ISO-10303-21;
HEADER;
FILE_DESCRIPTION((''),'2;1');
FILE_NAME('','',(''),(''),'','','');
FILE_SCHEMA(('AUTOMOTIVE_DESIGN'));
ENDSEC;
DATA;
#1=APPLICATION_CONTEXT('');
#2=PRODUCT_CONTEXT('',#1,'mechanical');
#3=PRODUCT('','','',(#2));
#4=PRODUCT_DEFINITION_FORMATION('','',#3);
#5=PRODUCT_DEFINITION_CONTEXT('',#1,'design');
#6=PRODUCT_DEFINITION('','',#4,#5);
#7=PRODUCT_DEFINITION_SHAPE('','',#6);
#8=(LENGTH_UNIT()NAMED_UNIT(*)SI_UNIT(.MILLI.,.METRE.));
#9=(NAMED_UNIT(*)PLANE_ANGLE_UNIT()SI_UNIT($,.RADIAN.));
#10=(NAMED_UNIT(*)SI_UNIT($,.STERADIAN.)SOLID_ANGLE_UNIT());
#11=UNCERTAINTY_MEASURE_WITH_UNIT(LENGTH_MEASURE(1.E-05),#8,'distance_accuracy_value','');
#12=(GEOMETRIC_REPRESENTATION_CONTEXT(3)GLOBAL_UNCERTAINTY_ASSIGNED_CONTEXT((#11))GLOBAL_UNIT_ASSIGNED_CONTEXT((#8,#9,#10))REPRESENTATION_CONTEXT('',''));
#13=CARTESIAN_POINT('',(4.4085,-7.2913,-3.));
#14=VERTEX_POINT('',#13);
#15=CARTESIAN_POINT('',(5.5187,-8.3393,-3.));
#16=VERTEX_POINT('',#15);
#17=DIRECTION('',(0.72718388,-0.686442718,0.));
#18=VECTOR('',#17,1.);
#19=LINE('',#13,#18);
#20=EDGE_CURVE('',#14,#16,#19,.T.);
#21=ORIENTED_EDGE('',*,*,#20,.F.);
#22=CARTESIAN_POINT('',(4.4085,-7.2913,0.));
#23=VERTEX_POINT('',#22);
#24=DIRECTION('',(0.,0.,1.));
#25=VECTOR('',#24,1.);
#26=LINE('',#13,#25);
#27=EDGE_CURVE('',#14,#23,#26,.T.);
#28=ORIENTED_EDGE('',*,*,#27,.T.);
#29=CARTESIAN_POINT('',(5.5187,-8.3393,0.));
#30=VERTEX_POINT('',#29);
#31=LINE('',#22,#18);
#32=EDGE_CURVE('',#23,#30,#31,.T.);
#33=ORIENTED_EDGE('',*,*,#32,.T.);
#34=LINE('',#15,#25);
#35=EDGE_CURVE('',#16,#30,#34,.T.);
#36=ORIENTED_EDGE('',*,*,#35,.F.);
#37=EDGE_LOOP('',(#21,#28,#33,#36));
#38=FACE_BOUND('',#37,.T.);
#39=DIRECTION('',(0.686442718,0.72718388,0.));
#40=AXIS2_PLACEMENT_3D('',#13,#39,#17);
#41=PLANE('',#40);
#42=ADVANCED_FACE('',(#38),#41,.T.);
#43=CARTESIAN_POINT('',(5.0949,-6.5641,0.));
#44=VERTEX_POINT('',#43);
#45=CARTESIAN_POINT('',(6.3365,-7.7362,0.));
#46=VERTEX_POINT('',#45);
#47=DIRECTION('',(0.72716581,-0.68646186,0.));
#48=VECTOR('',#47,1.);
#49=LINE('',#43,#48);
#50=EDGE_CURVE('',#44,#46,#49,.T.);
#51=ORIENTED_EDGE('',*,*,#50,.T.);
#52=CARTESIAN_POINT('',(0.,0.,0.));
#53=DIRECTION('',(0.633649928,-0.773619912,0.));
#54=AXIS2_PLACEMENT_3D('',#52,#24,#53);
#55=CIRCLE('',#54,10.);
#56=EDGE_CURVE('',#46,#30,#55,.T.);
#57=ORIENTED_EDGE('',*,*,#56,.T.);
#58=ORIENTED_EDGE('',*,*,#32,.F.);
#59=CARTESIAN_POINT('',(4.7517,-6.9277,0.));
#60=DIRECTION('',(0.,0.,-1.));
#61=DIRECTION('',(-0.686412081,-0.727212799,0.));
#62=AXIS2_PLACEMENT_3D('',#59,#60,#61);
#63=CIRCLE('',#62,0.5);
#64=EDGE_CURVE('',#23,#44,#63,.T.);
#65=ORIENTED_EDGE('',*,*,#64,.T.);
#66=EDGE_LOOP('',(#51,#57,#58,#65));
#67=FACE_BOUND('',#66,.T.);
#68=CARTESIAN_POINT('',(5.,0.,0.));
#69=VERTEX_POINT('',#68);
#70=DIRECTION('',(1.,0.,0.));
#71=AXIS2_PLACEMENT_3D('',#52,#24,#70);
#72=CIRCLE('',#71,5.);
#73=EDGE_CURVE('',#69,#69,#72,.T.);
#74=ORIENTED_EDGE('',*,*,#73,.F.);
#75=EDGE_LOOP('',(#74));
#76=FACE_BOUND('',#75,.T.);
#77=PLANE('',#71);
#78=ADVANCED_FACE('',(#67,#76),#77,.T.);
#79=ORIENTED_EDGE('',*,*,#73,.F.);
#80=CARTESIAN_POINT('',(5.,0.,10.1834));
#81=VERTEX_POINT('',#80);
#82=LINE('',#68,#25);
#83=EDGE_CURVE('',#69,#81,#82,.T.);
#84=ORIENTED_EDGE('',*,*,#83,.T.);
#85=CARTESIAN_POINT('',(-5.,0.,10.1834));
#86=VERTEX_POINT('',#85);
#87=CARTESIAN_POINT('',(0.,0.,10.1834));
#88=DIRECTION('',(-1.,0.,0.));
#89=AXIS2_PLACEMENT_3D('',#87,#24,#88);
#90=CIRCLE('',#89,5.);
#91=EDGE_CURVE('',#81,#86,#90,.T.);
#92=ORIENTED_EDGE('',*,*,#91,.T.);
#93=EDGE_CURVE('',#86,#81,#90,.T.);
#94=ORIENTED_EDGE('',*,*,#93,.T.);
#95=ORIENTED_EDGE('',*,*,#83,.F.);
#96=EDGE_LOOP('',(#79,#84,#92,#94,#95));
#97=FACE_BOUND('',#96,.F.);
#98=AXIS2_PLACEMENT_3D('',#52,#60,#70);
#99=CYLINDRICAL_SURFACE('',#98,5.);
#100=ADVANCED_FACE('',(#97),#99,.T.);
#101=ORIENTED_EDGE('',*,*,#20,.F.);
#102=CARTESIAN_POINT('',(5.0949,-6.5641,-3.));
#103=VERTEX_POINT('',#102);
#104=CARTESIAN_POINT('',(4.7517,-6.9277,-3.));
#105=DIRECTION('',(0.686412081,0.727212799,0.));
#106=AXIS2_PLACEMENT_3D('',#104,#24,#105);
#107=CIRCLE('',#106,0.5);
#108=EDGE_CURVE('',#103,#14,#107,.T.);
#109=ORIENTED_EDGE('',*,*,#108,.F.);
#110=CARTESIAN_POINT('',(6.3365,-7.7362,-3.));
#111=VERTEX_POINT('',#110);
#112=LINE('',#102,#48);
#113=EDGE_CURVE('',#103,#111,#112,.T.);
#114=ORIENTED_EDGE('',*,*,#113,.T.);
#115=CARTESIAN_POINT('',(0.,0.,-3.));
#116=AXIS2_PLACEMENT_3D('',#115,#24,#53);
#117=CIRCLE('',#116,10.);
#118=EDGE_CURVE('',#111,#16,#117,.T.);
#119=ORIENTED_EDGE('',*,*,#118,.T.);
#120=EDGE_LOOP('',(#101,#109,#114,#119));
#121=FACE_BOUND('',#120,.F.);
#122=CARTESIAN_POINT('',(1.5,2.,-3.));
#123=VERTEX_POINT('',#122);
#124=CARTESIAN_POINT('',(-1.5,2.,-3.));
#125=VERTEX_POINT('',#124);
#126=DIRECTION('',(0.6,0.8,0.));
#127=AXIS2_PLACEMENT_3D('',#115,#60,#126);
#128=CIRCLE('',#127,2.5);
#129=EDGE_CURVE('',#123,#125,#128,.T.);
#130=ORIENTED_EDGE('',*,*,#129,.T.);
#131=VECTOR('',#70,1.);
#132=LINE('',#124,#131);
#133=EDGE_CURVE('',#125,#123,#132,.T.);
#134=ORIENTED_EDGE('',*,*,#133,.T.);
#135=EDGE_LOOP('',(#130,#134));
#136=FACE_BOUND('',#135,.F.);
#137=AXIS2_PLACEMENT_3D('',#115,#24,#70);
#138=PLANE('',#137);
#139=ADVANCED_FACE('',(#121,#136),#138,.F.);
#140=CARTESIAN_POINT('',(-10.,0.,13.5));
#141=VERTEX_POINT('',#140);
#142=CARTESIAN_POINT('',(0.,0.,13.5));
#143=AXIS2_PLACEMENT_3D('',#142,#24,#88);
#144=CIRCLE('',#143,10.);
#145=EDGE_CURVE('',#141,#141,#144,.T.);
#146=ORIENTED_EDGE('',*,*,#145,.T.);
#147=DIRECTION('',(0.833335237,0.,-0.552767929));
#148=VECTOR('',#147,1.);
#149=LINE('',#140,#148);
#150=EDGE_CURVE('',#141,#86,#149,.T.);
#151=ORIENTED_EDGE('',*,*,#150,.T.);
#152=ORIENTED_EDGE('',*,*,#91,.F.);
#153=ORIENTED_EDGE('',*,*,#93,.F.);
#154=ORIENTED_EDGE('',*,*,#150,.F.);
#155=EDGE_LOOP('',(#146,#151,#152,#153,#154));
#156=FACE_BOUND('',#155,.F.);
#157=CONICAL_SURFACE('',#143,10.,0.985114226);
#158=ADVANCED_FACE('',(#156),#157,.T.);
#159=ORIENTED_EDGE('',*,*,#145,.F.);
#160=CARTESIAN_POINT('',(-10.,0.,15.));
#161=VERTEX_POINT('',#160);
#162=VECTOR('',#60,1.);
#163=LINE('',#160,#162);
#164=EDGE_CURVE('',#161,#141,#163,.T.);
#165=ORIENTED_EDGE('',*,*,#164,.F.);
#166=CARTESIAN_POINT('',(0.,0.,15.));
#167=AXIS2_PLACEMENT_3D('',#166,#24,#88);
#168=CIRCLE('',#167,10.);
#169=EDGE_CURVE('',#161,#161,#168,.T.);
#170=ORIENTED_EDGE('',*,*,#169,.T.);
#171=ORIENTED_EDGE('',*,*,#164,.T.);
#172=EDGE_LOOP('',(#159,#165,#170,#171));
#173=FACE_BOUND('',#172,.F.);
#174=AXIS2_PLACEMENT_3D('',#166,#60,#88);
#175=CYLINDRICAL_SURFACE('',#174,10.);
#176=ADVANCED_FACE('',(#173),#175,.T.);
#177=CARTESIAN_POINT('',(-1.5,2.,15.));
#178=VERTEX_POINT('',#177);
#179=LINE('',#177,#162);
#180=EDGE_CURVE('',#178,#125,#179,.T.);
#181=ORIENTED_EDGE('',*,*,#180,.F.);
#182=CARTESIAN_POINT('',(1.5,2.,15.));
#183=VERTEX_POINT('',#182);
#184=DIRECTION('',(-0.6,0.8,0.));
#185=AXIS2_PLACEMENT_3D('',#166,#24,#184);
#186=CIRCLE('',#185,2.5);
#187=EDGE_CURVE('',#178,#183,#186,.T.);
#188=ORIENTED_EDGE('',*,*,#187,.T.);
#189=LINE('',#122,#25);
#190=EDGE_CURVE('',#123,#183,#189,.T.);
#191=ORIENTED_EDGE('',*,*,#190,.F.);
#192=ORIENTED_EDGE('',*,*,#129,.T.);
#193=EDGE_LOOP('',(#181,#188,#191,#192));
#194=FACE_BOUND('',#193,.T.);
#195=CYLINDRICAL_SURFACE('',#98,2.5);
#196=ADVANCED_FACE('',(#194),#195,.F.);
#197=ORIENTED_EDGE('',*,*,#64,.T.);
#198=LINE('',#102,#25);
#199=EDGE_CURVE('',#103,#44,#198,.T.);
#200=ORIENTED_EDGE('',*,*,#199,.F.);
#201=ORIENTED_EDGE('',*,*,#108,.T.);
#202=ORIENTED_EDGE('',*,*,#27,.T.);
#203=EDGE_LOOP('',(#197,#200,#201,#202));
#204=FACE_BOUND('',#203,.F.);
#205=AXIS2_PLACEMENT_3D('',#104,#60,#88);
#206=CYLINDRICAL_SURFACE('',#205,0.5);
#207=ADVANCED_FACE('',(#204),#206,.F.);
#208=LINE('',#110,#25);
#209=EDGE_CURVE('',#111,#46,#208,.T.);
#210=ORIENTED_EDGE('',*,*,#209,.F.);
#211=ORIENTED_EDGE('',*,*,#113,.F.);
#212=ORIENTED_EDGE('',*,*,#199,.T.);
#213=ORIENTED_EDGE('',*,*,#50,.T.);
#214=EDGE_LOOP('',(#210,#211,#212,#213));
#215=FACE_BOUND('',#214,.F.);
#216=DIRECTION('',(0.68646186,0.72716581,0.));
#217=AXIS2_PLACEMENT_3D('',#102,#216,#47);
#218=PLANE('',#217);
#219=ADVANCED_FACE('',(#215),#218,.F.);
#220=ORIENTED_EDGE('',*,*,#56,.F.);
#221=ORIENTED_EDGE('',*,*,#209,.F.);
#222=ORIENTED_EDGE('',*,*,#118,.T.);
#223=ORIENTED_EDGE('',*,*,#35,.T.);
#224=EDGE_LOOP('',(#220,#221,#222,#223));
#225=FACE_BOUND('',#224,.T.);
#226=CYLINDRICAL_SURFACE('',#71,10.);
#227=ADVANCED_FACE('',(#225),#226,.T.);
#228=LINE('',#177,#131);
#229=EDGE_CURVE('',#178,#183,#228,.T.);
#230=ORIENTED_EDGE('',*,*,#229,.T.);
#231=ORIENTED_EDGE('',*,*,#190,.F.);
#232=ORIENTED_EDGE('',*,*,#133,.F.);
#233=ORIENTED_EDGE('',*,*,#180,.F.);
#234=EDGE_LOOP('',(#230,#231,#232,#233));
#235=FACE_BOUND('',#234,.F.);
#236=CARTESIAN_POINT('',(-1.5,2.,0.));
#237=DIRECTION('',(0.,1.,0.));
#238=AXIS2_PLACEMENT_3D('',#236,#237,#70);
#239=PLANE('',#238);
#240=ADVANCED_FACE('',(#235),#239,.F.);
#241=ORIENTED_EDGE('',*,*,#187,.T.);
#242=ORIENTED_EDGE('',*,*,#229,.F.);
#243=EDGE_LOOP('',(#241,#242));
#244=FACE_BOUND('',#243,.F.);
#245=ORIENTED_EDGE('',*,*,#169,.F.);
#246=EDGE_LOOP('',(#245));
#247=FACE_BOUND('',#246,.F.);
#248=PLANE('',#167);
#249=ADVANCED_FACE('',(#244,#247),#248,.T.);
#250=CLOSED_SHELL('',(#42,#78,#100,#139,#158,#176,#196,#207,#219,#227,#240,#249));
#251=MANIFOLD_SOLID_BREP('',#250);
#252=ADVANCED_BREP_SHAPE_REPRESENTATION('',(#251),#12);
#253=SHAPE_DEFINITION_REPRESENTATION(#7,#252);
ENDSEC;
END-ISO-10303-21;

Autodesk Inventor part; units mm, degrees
ref_plane "YZ Plane" through (0, 0, 0) normal (1, 0, 0) x (0, 1, 0)
ref_plane "XZ Plane" through (0, 0, 0) normal (0, 1, 0) x (-1, 0, 0)
ref_plane "XY Plane" through (0, 0, 0) normal (0, 0, 1) x (1, 0, 0)
sketch "Sketch1" plane through (0, 0, 0) normal (0, 0, 1) x (1, 0, 0)
  circle A0 centre (0, 0) radius 2.5
  line L0 (-1.5, 2) -> (1.5, 2)
  circle A1 centre (0, 0) radius 5
  circle A2 centre (0, 0) radius 10
  dimension "d0" = 5
  dimension "d1" = 2
  dimension "d2" = 10
  dimension "d16" = 20
extrude "Extrusion1" add sketch "Sketch1" along normal blind 15 contours L0 A0 | A1 picked at (-0.3466, 2.0912)
extrude "Extrusion2" add sketch "Sketch1" against normal blind 3 contours L0 A0 | A1 | A2 picked at (-0.3466, 2.0912)
ref_plane "Work Plane2" through (0, 0, 0) normal (0, -1, 0) x (1, 0, 0)
ref_plane "Work Plane1" through (0, 5, 0) normal (0, -1, 0) x (1, 0, 0)
sketch "Sketch4" plane through (0, 0, 0) normal (0, -1, 0) x (1, 0, 0)
  line L0 (5, 15) -> (-5, 15) projected
  line L1 (-5, 15) -> (-10, 15)
  line L2 (-10, 15) -> (-10, 13.5)
  line L3 (-5, 0) -> (-5, 15) projected
  line L4 (-10, 13.5) -> (-5, 10.1834)
  line L5 (0, -6.6) -> (0, 18.6) projected
  point P0 (0, 0)
  dimension "d10" = 5
  dimension "d11" = 1.5
  dimension "d14" = 6
revolve "Revolution1" add sketch "Sketch4" angle 360 about axis through (0, 0, -10) along (0, 0, 1)
sketch "Sketch6" plane through (0, 0, -3) normal (0, 0, -1) x (-1, 0, 0)
  circle A0 centre (0, 0) radius 10 projected
  circle A1 centre (-4.7517, -6.9277) radius 0.5
  line L0 (-5.0949, -6.5641) -> (-6.3365, -7.7362)
  line L1 (-4.4085, -7.2913) -> (-5.5187, -8.3393)
  dimension "d19" = 1
extrude "Extrusion3" cut sketch "Sketch6" against normal blind 3 contours L0 A1 L1 A0 | A1 picked at (-5.8735, -7.6008)
properties part number "D_coupler"
